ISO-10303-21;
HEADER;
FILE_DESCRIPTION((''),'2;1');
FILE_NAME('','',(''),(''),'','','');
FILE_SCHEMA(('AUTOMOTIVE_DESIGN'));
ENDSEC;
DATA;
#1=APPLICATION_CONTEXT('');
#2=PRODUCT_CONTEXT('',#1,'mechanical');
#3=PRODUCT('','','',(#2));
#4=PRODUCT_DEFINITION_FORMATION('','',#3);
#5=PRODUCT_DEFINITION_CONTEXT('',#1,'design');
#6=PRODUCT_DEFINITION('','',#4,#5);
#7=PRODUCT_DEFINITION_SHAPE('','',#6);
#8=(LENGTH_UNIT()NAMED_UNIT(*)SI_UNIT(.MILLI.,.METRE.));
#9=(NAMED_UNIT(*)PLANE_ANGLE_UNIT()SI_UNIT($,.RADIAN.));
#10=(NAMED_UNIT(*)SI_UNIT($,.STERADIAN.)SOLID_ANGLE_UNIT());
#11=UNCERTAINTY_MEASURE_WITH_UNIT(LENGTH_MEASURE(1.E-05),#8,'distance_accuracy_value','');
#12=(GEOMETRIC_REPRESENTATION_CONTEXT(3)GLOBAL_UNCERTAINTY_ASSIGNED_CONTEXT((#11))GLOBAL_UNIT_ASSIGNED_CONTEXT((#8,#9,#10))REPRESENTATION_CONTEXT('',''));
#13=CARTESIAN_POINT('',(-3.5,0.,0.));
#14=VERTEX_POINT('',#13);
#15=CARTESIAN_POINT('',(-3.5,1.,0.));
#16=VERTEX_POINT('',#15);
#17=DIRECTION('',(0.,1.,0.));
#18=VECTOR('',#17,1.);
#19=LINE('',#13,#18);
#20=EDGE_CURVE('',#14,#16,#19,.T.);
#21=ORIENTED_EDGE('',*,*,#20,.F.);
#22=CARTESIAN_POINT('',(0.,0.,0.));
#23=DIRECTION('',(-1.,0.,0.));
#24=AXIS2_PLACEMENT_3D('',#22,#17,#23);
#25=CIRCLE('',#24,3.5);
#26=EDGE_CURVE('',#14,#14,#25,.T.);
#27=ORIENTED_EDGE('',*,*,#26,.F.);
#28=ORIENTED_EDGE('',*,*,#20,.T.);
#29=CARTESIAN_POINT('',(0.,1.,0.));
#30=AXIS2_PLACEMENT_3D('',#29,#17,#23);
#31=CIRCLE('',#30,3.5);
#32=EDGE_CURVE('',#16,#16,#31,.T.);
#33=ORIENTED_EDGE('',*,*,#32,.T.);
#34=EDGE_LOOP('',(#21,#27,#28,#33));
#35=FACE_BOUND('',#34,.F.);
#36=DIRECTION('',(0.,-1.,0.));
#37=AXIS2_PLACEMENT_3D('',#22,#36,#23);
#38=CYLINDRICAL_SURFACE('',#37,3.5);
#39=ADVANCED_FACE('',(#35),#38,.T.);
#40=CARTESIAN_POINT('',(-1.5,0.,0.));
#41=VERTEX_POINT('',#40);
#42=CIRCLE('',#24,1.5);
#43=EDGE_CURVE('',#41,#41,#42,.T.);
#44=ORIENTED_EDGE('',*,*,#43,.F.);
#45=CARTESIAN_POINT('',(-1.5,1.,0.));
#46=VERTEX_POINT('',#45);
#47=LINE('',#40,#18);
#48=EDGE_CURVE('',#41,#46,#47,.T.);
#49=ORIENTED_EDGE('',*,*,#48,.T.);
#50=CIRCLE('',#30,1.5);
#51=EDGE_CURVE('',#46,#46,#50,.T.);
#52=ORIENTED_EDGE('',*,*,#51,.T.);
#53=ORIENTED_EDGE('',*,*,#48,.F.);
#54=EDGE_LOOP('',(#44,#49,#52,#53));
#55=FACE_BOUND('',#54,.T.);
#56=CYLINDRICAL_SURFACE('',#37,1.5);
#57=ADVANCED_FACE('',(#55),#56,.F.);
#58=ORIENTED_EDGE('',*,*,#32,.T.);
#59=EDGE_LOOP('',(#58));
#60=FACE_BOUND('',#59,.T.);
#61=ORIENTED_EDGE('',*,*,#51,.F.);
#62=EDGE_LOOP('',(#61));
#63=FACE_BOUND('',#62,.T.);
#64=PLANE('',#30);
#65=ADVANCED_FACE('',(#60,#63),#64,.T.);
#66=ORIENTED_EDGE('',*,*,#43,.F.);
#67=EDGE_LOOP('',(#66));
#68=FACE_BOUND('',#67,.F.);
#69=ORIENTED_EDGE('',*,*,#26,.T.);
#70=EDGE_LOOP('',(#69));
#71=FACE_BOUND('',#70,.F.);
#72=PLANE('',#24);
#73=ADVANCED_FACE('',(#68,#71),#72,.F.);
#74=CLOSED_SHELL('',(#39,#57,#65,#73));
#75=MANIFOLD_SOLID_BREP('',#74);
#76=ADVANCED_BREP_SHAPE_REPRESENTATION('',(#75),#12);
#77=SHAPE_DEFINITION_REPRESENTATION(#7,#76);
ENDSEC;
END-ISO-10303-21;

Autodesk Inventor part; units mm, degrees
ref_plane "YZ Plane" through (0, 0, 0) normal (1, 0, 0) x (0, 1, 0)
ref_plane "XZ Plane" through (0, 0, 0) normal (0, 1, 0) x (-1, 0, 0)
ref_plane "XY Plane" through (0, 0, 0) normal (0, 0, 1) x (1, 0, 0)
sketch "Sketch1" plane through (0, 0, 0) normal (0, 1, 0) x (-1, 0, 0)
  circle A0 centre (0, 0) radius 1.5
  circle A1 centre (0, 0) radius 3.5
  dimension "d0" = 3
  dimension "d1" = 7
extrude "Extrusion1" add sketch "Sketch1" along normal blind 1
properties part number "InnerPinOutputSpacer"
